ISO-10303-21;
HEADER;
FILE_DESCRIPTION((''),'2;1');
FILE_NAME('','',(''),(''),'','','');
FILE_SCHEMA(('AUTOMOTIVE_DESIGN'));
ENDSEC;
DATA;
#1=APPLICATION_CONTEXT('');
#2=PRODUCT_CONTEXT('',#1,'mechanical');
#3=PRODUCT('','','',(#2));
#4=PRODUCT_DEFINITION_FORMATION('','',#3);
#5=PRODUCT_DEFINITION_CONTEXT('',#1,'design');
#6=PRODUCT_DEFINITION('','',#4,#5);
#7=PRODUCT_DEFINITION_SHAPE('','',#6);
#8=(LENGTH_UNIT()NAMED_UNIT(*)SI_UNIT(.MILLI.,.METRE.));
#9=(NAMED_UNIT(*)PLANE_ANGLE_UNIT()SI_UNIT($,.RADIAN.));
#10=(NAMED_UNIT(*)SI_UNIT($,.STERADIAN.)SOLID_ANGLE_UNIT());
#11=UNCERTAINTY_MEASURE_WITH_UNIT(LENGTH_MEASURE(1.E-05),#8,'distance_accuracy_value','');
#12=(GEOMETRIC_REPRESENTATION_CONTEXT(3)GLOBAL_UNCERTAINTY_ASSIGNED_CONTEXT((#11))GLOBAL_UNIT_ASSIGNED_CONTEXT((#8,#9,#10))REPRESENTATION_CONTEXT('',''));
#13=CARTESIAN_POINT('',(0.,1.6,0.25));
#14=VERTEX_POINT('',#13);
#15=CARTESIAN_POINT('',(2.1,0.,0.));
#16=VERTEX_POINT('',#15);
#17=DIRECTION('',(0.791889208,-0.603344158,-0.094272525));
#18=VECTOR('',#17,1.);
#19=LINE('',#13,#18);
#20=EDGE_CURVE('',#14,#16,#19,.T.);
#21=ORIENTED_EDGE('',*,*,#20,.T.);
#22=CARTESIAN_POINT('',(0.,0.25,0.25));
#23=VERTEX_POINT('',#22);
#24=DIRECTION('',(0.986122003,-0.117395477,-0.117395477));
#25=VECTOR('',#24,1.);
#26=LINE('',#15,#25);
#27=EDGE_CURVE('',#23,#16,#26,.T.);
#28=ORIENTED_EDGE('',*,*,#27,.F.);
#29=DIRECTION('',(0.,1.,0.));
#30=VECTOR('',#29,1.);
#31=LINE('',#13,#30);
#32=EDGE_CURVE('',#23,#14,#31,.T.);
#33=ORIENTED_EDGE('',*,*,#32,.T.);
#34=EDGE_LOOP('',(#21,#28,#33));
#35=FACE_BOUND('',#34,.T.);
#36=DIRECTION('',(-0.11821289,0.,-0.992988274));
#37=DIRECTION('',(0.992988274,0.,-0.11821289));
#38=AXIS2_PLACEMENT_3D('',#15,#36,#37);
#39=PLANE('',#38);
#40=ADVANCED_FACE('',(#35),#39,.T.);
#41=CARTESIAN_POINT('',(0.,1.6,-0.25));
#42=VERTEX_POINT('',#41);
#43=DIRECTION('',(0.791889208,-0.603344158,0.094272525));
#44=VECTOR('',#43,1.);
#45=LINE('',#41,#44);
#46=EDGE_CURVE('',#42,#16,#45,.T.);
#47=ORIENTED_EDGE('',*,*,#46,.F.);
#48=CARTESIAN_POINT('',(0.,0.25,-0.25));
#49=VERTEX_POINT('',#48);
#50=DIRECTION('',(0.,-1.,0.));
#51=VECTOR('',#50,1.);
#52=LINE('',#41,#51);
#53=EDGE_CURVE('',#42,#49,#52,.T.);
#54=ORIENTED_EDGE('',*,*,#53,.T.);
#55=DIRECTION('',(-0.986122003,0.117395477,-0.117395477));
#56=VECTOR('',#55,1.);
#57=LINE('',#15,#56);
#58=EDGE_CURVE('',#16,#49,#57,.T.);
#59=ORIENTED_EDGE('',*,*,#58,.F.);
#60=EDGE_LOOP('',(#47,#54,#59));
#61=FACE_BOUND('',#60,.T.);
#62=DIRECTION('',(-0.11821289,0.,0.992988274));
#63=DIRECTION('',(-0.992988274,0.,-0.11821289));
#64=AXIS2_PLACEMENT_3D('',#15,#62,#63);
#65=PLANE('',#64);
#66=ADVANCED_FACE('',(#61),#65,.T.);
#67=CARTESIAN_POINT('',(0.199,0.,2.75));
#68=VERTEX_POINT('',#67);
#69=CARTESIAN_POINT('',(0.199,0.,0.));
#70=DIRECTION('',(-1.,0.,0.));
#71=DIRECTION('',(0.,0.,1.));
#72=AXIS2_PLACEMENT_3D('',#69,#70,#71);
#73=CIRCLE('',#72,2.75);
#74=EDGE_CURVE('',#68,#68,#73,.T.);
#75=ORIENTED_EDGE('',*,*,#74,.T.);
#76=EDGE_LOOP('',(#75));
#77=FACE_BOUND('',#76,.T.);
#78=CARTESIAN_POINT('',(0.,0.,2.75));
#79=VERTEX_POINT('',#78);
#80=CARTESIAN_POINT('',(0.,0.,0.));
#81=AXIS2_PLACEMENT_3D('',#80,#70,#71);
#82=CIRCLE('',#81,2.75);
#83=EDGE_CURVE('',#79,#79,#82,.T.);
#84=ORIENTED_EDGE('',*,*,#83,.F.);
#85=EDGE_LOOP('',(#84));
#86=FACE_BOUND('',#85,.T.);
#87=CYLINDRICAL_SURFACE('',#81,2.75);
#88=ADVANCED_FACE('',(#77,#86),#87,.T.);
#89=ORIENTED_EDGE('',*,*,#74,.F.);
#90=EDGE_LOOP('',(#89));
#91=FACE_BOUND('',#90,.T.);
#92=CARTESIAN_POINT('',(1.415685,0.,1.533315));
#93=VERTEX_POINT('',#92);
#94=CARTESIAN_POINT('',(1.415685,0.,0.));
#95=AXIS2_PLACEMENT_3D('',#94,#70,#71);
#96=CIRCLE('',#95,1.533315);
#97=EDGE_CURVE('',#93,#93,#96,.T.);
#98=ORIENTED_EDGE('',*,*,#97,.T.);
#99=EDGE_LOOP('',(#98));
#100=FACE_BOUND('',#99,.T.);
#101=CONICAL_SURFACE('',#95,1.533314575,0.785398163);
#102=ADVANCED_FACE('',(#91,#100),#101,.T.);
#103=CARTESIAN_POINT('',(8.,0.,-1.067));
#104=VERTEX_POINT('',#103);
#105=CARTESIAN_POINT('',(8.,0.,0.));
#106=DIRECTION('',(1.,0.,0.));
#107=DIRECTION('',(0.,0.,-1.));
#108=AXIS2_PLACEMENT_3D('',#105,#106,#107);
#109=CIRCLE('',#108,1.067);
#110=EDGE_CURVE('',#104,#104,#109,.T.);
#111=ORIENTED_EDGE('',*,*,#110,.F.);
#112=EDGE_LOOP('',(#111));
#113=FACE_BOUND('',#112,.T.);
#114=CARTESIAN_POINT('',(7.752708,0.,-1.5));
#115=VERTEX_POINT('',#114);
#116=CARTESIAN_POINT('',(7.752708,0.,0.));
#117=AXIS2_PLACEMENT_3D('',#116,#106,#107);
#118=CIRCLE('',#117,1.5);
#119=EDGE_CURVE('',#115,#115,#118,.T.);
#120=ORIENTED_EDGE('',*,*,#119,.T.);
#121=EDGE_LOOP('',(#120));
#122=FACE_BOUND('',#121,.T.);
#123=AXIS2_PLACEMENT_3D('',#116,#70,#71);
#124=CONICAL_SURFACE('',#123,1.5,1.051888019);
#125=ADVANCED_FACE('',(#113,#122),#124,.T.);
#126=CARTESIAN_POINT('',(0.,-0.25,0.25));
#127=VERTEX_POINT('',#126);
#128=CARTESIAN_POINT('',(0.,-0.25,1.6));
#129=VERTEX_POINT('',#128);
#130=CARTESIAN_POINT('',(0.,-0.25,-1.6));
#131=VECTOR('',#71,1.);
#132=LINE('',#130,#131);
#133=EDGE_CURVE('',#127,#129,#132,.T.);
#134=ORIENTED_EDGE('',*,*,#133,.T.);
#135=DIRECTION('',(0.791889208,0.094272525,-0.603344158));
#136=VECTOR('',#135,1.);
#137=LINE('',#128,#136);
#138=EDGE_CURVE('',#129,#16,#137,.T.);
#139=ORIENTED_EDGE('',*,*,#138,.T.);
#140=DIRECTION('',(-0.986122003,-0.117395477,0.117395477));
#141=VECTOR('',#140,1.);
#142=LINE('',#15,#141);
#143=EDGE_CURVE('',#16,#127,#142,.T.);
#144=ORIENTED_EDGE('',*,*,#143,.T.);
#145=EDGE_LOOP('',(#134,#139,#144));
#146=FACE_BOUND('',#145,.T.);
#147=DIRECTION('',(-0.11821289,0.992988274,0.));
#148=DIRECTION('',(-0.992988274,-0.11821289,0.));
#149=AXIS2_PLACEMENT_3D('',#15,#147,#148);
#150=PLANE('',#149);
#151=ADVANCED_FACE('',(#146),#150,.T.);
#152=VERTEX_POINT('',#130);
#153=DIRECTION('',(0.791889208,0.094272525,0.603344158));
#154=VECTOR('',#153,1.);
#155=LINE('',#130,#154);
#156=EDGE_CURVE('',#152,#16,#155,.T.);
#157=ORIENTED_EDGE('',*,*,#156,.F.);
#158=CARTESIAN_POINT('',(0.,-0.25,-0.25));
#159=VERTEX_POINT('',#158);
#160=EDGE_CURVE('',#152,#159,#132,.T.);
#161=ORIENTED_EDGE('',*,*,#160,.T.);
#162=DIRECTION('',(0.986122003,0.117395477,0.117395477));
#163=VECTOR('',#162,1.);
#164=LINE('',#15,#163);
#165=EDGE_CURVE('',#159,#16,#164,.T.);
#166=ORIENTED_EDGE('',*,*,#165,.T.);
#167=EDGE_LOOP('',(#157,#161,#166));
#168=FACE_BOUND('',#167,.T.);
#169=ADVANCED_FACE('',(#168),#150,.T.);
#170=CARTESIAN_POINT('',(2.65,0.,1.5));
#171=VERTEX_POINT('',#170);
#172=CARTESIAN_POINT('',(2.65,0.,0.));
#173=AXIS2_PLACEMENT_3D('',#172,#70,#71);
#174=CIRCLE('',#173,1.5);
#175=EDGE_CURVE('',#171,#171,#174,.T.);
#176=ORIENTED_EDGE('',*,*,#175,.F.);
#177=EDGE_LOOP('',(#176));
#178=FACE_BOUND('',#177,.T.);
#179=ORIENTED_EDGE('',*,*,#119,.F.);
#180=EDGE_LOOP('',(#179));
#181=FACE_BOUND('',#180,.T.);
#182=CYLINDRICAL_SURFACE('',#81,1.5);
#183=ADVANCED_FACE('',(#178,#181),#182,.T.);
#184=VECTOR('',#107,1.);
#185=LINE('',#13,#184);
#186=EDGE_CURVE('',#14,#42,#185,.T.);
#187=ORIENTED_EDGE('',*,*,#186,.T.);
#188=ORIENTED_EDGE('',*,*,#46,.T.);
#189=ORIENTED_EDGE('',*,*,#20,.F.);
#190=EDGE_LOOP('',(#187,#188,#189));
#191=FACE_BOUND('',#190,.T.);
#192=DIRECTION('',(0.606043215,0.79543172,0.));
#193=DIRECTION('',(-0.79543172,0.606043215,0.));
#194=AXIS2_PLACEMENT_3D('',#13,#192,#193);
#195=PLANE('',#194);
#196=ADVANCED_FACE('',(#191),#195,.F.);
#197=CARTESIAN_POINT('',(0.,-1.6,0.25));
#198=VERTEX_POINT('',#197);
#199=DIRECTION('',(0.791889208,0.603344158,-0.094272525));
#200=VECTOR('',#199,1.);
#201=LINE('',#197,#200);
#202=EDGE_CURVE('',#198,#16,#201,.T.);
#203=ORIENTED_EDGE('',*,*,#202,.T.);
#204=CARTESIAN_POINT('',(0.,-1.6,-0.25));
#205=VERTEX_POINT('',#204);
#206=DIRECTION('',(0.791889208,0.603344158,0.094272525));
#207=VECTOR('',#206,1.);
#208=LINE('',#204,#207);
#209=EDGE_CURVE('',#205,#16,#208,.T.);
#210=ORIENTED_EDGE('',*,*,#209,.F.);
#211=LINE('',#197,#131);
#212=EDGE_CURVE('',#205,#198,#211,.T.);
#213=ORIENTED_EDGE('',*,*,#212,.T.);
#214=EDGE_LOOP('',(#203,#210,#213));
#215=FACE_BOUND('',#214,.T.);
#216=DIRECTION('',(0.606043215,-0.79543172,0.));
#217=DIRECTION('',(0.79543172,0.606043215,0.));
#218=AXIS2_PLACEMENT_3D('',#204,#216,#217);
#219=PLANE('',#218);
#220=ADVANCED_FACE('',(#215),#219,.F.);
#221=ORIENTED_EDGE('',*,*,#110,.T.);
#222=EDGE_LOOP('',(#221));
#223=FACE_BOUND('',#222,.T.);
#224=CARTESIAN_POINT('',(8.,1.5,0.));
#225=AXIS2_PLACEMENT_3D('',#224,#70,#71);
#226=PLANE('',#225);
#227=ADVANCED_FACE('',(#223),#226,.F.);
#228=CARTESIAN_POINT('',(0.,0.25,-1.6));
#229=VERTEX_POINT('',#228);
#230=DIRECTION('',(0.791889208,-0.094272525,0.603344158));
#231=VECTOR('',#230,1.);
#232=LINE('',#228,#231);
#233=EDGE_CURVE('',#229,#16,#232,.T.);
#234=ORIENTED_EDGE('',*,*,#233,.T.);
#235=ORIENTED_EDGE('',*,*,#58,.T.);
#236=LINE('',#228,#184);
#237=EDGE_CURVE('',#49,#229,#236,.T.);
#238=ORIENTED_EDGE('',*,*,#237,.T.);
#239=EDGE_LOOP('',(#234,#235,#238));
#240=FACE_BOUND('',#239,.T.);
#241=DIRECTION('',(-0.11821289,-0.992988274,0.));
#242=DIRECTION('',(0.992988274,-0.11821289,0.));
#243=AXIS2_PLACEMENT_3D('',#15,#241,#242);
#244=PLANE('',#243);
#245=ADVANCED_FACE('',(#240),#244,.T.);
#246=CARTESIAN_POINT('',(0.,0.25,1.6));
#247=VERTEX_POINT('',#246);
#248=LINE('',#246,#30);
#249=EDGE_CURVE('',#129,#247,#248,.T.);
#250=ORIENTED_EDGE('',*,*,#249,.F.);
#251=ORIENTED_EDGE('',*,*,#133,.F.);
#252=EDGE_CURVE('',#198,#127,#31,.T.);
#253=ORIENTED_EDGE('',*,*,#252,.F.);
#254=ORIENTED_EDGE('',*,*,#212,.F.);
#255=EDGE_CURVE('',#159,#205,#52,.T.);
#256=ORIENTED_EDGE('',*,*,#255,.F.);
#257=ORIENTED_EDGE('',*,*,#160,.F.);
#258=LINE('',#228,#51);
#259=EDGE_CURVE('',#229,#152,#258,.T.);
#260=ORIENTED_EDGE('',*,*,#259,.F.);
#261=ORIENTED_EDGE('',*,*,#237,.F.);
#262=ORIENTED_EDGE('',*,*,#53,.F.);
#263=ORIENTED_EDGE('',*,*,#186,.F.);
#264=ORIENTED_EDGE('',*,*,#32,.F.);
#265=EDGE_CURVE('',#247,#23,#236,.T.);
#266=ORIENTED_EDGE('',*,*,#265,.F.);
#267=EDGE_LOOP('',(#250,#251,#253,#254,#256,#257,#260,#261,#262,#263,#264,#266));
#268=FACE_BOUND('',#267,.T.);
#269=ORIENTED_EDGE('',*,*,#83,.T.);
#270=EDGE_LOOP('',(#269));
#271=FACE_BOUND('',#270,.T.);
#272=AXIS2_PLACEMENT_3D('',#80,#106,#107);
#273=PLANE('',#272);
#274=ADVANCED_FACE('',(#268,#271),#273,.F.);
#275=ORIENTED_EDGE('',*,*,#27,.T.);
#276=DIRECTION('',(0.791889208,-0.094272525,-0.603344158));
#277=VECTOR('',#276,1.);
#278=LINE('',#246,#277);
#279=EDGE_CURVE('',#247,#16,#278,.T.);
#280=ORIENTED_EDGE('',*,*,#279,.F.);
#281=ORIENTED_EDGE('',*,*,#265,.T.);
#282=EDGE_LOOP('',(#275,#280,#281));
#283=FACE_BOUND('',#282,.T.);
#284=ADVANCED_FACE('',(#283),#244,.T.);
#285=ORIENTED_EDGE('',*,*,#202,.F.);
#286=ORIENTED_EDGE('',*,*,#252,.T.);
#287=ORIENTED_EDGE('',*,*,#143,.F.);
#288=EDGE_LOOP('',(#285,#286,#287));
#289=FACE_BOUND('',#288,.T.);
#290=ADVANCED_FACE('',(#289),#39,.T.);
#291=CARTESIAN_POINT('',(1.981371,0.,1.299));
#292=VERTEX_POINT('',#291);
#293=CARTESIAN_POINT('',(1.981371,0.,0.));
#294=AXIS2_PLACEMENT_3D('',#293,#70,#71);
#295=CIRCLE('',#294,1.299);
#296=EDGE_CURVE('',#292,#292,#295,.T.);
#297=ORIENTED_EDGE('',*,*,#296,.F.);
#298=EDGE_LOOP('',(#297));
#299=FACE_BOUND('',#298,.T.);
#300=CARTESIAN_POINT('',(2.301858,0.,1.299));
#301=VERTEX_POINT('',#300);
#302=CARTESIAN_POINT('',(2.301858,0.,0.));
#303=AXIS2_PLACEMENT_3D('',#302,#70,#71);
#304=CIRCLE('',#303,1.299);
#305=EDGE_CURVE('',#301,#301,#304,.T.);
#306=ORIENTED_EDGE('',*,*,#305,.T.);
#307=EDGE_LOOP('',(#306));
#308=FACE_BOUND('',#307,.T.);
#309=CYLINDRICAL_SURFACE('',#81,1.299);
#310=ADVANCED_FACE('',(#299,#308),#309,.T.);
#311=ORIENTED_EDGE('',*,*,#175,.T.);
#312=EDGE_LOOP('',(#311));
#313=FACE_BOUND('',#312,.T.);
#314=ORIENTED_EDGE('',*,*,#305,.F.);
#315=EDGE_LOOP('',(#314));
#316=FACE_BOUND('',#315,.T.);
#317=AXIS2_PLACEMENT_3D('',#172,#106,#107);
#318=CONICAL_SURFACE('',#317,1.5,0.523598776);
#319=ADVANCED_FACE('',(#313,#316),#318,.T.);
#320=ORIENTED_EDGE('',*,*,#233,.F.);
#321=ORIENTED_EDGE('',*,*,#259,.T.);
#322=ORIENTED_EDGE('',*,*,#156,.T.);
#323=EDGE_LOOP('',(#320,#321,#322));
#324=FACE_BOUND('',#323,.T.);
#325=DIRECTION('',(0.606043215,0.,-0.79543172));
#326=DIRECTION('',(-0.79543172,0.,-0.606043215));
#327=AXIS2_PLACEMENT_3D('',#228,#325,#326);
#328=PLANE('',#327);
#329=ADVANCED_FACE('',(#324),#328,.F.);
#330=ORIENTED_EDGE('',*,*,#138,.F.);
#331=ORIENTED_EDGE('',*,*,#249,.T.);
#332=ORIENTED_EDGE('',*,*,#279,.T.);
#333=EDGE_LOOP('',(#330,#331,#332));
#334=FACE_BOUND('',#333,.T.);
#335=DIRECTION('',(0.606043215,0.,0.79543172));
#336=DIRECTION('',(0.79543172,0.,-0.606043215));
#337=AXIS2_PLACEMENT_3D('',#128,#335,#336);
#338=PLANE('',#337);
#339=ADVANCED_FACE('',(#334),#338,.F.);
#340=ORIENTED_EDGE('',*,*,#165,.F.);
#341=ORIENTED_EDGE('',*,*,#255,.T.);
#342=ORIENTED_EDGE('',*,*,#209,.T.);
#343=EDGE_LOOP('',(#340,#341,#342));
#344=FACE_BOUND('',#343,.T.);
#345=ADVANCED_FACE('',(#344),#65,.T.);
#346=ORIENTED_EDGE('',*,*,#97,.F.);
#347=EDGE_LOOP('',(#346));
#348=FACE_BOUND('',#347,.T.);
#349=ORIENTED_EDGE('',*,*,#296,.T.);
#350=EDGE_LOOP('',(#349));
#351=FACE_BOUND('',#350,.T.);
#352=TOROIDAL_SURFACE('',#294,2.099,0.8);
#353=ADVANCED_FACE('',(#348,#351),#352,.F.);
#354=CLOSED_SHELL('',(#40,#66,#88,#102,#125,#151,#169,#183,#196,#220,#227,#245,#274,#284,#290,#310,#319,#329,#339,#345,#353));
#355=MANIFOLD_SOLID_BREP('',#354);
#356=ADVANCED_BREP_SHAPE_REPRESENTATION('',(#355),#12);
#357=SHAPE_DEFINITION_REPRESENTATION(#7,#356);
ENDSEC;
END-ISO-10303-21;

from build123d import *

# Parameters (mm, degrees)
PATTERN_CIRCULAR_1_COUNT = 2
PATTERN_CIRCULAR_1_ANGLE = 90


with BuildPart() as part:
    # 草图1 → Revolve 694 (revolve)
    with BuildSketch(Plane.XY, mode=Mode.PRIVATE) as revolve_694_sk:
        with BuildLine():
            Line((0, 0), (0, 2.75))
            Line((0, 2.75), (0.199, 2.75))
            Line((0.199, 2.75), (1.415685425, 1.533314575))
            ThreePointArc((1.415685425, 1.533314575), (1.675224104, 1.359896374), (1.98137085, 1.299))
            Line((1.98137085, 1.299), (2.301857788, 1.299))
            Line((2.301857788, 1.299), (2.65, 1.5))
            Line((2.65, 1.5), (8, 1.5))
            Line((8, 1.5), (8, 0))
            Line((8, 0), (0, 0))
        make_face()
    revolve(revolve_694_sk.sketch.rotate(Axis((0, 0, 0), (1, 0, 0)), 90), axis=Axis((0, 0, 0), (1, 0, 0)))

    # 草图2 → 切除-旋转1 (revolve, cut)
    with BuildSketch(Plane.XY, mode=Mode.PRIVATE) as cut_revolve_1_sk:
        Polygon((7.752708003, 1.5), (8.252708003, 1.5), (8, 1.067), align=None)
    revolve(cut_revolve_1_sk.sketch.rotate(Axis((0, 0, 0), (-1, 0, 0)), 270), axis=Axis((0, 0, 0), (-1, 0, 0)), mode=Mode.SUBTRACT)

    # 草图3 → 切除-放样1 section 0
    with BuildSketch(Plane.ZY, mode=Mode.PRIVATE) as loft_1_s0:
        with BuildLine():
            Line((-1.6, 0.25), (1.6, 0.25))
            Line((1.6, 0.25), (1.6, -0.25))
            Line((1.6, -0.25), (-1.6, -0.25))
            Line((-1.6, -0.25), (-1.6, 0.25))
        make_face()
    loft_1 = loft([loft_1_s0.sketch, Vertex(2.1, 0, 0)], mode=Mode.SUBTRACT)

    # 阵列(圆周)1: 切除-放样1 ×2 about axis
    pattern_circular_1_axis = Axis((0, 0, 0), (1, 0, 0))
    for i in range(1, PATTERN_CIRCULAR_1_COUNT):
        add(loft_1.rotate(pattern_circular_1_axis, i * PATTERN_CIRCULAR_1_ANGLE / (PATTERN_CIRCULAR_1_COUNT - 1)), mode=Mode.SUBTRACT)


solid = part.part
